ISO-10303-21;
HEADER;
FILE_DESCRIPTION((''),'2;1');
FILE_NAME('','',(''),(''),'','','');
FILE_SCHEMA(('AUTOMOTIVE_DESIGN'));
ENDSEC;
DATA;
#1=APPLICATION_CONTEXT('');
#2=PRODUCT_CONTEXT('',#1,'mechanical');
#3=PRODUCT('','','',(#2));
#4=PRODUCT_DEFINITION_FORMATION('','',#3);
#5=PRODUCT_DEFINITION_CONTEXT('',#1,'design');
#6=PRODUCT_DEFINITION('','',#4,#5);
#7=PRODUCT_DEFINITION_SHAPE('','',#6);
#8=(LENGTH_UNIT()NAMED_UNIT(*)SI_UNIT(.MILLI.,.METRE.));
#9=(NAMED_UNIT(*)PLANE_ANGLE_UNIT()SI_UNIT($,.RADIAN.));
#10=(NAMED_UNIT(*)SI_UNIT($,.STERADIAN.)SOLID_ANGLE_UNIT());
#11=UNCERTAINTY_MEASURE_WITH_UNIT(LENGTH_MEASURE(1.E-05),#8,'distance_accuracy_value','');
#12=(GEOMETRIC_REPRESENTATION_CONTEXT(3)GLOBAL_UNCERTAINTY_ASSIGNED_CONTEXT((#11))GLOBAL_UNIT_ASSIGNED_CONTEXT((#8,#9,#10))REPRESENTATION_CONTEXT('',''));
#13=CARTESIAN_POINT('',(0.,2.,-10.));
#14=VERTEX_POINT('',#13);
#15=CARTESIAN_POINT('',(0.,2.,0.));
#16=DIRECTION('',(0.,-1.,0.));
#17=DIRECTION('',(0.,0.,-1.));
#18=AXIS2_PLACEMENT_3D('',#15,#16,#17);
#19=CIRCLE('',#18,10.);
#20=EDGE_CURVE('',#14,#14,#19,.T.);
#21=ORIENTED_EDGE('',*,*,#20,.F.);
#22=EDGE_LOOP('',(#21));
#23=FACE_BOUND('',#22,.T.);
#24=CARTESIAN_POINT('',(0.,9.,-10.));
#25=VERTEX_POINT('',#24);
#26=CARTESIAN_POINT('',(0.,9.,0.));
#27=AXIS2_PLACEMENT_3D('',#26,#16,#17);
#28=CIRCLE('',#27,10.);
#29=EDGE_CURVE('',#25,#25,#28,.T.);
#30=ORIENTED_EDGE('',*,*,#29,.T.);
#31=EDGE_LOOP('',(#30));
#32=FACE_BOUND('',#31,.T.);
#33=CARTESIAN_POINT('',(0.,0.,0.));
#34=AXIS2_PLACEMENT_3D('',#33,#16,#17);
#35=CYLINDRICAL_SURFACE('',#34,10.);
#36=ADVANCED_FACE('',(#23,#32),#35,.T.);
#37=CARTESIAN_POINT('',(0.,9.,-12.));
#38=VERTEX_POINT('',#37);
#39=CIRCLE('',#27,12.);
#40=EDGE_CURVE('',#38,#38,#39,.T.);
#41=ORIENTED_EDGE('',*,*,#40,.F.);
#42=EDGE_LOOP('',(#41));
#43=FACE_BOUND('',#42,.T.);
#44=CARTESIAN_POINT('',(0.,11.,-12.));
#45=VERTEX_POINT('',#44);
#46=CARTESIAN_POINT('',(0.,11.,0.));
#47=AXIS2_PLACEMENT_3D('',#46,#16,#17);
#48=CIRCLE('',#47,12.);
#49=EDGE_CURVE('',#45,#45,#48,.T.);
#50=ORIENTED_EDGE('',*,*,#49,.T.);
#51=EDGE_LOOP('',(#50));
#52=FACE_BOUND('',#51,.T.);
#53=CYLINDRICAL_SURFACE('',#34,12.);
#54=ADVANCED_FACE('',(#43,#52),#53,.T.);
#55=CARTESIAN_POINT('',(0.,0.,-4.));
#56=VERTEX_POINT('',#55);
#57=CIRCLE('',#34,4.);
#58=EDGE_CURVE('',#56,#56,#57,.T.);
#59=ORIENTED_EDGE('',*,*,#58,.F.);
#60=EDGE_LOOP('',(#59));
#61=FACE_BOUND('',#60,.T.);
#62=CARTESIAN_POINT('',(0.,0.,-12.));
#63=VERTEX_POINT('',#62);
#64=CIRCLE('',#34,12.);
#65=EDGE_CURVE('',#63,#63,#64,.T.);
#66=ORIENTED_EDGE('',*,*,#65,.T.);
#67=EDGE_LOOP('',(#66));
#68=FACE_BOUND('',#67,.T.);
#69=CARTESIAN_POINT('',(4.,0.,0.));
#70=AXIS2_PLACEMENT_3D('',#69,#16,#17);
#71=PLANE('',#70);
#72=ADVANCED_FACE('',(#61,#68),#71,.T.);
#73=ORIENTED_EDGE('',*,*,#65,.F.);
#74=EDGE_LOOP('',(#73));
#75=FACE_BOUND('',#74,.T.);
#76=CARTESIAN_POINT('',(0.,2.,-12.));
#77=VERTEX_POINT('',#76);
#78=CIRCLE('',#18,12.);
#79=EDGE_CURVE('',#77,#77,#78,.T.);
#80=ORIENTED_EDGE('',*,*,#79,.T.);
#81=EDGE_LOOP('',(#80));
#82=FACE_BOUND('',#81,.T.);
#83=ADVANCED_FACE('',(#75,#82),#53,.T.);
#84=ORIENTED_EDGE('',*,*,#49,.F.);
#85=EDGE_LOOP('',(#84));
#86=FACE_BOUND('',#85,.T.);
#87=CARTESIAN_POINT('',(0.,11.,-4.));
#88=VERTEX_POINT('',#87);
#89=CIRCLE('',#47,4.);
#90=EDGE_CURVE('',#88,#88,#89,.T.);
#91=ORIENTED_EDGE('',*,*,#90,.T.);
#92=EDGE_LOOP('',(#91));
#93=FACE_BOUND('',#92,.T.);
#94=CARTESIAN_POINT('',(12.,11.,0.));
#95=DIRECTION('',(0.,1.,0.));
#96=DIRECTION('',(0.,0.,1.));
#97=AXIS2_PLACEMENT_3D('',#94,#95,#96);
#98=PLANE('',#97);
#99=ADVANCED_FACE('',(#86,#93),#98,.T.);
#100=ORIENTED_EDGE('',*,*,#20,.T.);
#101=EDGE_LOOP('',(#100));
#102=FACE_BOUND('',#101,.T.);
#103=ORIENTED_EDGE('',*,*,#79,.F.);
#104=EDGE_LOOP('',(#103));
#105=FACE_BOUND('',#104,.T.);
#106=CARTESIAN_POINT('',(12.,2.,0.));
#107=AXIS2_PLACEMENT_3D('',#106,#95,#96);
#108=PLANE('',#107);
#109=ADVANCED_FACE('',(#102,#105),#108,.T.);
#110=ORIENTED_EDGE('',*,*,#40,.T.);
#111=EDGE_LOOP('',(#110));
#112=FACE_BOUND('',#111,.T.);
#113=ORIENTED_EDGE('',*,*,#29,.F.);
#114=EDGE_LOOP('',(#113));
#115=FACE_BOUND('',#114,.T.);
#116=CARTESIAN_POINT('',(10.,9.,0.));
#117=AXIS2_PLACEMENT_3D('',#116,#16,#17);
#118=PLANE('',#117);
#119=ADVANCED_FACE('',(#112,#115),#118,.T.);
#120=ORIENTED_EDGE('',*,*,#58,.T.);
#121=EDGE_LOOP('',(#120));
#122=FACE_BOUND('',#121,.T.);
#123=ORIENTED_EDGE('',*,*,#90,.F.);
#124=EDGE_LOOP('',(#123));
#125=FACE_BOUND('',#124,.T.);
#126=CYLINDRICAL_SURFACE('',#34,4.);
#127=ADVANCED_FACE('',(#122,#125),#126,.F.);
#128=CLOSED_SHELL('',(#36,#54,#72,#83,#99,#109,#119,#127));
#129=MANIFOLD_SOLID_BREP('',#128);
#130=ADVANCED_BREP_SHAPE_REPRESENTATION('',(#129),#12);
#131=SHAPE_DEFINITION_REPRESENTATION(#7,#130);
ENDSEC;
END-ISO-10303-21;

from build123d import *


with BuildPart() as part:
    # Sketch1 → Revolve1 (revolve)
    with BuildSketch(Plane.XY, mode=Mode.PRIVATE) as revolve1_sk:
        Polygon((4, 11), (4, 0), (12, 0), (12, 2), (10, 2), (10, 9), (12, 9), (12, 11), align=None)
    revolve(revolve1_sk.sketch.rotate(Axis((0, 0, 0), (0, 1, 0)), 90), axis=Axis((0, 0, 0), (0, 1, 0)))


solid = part.part
